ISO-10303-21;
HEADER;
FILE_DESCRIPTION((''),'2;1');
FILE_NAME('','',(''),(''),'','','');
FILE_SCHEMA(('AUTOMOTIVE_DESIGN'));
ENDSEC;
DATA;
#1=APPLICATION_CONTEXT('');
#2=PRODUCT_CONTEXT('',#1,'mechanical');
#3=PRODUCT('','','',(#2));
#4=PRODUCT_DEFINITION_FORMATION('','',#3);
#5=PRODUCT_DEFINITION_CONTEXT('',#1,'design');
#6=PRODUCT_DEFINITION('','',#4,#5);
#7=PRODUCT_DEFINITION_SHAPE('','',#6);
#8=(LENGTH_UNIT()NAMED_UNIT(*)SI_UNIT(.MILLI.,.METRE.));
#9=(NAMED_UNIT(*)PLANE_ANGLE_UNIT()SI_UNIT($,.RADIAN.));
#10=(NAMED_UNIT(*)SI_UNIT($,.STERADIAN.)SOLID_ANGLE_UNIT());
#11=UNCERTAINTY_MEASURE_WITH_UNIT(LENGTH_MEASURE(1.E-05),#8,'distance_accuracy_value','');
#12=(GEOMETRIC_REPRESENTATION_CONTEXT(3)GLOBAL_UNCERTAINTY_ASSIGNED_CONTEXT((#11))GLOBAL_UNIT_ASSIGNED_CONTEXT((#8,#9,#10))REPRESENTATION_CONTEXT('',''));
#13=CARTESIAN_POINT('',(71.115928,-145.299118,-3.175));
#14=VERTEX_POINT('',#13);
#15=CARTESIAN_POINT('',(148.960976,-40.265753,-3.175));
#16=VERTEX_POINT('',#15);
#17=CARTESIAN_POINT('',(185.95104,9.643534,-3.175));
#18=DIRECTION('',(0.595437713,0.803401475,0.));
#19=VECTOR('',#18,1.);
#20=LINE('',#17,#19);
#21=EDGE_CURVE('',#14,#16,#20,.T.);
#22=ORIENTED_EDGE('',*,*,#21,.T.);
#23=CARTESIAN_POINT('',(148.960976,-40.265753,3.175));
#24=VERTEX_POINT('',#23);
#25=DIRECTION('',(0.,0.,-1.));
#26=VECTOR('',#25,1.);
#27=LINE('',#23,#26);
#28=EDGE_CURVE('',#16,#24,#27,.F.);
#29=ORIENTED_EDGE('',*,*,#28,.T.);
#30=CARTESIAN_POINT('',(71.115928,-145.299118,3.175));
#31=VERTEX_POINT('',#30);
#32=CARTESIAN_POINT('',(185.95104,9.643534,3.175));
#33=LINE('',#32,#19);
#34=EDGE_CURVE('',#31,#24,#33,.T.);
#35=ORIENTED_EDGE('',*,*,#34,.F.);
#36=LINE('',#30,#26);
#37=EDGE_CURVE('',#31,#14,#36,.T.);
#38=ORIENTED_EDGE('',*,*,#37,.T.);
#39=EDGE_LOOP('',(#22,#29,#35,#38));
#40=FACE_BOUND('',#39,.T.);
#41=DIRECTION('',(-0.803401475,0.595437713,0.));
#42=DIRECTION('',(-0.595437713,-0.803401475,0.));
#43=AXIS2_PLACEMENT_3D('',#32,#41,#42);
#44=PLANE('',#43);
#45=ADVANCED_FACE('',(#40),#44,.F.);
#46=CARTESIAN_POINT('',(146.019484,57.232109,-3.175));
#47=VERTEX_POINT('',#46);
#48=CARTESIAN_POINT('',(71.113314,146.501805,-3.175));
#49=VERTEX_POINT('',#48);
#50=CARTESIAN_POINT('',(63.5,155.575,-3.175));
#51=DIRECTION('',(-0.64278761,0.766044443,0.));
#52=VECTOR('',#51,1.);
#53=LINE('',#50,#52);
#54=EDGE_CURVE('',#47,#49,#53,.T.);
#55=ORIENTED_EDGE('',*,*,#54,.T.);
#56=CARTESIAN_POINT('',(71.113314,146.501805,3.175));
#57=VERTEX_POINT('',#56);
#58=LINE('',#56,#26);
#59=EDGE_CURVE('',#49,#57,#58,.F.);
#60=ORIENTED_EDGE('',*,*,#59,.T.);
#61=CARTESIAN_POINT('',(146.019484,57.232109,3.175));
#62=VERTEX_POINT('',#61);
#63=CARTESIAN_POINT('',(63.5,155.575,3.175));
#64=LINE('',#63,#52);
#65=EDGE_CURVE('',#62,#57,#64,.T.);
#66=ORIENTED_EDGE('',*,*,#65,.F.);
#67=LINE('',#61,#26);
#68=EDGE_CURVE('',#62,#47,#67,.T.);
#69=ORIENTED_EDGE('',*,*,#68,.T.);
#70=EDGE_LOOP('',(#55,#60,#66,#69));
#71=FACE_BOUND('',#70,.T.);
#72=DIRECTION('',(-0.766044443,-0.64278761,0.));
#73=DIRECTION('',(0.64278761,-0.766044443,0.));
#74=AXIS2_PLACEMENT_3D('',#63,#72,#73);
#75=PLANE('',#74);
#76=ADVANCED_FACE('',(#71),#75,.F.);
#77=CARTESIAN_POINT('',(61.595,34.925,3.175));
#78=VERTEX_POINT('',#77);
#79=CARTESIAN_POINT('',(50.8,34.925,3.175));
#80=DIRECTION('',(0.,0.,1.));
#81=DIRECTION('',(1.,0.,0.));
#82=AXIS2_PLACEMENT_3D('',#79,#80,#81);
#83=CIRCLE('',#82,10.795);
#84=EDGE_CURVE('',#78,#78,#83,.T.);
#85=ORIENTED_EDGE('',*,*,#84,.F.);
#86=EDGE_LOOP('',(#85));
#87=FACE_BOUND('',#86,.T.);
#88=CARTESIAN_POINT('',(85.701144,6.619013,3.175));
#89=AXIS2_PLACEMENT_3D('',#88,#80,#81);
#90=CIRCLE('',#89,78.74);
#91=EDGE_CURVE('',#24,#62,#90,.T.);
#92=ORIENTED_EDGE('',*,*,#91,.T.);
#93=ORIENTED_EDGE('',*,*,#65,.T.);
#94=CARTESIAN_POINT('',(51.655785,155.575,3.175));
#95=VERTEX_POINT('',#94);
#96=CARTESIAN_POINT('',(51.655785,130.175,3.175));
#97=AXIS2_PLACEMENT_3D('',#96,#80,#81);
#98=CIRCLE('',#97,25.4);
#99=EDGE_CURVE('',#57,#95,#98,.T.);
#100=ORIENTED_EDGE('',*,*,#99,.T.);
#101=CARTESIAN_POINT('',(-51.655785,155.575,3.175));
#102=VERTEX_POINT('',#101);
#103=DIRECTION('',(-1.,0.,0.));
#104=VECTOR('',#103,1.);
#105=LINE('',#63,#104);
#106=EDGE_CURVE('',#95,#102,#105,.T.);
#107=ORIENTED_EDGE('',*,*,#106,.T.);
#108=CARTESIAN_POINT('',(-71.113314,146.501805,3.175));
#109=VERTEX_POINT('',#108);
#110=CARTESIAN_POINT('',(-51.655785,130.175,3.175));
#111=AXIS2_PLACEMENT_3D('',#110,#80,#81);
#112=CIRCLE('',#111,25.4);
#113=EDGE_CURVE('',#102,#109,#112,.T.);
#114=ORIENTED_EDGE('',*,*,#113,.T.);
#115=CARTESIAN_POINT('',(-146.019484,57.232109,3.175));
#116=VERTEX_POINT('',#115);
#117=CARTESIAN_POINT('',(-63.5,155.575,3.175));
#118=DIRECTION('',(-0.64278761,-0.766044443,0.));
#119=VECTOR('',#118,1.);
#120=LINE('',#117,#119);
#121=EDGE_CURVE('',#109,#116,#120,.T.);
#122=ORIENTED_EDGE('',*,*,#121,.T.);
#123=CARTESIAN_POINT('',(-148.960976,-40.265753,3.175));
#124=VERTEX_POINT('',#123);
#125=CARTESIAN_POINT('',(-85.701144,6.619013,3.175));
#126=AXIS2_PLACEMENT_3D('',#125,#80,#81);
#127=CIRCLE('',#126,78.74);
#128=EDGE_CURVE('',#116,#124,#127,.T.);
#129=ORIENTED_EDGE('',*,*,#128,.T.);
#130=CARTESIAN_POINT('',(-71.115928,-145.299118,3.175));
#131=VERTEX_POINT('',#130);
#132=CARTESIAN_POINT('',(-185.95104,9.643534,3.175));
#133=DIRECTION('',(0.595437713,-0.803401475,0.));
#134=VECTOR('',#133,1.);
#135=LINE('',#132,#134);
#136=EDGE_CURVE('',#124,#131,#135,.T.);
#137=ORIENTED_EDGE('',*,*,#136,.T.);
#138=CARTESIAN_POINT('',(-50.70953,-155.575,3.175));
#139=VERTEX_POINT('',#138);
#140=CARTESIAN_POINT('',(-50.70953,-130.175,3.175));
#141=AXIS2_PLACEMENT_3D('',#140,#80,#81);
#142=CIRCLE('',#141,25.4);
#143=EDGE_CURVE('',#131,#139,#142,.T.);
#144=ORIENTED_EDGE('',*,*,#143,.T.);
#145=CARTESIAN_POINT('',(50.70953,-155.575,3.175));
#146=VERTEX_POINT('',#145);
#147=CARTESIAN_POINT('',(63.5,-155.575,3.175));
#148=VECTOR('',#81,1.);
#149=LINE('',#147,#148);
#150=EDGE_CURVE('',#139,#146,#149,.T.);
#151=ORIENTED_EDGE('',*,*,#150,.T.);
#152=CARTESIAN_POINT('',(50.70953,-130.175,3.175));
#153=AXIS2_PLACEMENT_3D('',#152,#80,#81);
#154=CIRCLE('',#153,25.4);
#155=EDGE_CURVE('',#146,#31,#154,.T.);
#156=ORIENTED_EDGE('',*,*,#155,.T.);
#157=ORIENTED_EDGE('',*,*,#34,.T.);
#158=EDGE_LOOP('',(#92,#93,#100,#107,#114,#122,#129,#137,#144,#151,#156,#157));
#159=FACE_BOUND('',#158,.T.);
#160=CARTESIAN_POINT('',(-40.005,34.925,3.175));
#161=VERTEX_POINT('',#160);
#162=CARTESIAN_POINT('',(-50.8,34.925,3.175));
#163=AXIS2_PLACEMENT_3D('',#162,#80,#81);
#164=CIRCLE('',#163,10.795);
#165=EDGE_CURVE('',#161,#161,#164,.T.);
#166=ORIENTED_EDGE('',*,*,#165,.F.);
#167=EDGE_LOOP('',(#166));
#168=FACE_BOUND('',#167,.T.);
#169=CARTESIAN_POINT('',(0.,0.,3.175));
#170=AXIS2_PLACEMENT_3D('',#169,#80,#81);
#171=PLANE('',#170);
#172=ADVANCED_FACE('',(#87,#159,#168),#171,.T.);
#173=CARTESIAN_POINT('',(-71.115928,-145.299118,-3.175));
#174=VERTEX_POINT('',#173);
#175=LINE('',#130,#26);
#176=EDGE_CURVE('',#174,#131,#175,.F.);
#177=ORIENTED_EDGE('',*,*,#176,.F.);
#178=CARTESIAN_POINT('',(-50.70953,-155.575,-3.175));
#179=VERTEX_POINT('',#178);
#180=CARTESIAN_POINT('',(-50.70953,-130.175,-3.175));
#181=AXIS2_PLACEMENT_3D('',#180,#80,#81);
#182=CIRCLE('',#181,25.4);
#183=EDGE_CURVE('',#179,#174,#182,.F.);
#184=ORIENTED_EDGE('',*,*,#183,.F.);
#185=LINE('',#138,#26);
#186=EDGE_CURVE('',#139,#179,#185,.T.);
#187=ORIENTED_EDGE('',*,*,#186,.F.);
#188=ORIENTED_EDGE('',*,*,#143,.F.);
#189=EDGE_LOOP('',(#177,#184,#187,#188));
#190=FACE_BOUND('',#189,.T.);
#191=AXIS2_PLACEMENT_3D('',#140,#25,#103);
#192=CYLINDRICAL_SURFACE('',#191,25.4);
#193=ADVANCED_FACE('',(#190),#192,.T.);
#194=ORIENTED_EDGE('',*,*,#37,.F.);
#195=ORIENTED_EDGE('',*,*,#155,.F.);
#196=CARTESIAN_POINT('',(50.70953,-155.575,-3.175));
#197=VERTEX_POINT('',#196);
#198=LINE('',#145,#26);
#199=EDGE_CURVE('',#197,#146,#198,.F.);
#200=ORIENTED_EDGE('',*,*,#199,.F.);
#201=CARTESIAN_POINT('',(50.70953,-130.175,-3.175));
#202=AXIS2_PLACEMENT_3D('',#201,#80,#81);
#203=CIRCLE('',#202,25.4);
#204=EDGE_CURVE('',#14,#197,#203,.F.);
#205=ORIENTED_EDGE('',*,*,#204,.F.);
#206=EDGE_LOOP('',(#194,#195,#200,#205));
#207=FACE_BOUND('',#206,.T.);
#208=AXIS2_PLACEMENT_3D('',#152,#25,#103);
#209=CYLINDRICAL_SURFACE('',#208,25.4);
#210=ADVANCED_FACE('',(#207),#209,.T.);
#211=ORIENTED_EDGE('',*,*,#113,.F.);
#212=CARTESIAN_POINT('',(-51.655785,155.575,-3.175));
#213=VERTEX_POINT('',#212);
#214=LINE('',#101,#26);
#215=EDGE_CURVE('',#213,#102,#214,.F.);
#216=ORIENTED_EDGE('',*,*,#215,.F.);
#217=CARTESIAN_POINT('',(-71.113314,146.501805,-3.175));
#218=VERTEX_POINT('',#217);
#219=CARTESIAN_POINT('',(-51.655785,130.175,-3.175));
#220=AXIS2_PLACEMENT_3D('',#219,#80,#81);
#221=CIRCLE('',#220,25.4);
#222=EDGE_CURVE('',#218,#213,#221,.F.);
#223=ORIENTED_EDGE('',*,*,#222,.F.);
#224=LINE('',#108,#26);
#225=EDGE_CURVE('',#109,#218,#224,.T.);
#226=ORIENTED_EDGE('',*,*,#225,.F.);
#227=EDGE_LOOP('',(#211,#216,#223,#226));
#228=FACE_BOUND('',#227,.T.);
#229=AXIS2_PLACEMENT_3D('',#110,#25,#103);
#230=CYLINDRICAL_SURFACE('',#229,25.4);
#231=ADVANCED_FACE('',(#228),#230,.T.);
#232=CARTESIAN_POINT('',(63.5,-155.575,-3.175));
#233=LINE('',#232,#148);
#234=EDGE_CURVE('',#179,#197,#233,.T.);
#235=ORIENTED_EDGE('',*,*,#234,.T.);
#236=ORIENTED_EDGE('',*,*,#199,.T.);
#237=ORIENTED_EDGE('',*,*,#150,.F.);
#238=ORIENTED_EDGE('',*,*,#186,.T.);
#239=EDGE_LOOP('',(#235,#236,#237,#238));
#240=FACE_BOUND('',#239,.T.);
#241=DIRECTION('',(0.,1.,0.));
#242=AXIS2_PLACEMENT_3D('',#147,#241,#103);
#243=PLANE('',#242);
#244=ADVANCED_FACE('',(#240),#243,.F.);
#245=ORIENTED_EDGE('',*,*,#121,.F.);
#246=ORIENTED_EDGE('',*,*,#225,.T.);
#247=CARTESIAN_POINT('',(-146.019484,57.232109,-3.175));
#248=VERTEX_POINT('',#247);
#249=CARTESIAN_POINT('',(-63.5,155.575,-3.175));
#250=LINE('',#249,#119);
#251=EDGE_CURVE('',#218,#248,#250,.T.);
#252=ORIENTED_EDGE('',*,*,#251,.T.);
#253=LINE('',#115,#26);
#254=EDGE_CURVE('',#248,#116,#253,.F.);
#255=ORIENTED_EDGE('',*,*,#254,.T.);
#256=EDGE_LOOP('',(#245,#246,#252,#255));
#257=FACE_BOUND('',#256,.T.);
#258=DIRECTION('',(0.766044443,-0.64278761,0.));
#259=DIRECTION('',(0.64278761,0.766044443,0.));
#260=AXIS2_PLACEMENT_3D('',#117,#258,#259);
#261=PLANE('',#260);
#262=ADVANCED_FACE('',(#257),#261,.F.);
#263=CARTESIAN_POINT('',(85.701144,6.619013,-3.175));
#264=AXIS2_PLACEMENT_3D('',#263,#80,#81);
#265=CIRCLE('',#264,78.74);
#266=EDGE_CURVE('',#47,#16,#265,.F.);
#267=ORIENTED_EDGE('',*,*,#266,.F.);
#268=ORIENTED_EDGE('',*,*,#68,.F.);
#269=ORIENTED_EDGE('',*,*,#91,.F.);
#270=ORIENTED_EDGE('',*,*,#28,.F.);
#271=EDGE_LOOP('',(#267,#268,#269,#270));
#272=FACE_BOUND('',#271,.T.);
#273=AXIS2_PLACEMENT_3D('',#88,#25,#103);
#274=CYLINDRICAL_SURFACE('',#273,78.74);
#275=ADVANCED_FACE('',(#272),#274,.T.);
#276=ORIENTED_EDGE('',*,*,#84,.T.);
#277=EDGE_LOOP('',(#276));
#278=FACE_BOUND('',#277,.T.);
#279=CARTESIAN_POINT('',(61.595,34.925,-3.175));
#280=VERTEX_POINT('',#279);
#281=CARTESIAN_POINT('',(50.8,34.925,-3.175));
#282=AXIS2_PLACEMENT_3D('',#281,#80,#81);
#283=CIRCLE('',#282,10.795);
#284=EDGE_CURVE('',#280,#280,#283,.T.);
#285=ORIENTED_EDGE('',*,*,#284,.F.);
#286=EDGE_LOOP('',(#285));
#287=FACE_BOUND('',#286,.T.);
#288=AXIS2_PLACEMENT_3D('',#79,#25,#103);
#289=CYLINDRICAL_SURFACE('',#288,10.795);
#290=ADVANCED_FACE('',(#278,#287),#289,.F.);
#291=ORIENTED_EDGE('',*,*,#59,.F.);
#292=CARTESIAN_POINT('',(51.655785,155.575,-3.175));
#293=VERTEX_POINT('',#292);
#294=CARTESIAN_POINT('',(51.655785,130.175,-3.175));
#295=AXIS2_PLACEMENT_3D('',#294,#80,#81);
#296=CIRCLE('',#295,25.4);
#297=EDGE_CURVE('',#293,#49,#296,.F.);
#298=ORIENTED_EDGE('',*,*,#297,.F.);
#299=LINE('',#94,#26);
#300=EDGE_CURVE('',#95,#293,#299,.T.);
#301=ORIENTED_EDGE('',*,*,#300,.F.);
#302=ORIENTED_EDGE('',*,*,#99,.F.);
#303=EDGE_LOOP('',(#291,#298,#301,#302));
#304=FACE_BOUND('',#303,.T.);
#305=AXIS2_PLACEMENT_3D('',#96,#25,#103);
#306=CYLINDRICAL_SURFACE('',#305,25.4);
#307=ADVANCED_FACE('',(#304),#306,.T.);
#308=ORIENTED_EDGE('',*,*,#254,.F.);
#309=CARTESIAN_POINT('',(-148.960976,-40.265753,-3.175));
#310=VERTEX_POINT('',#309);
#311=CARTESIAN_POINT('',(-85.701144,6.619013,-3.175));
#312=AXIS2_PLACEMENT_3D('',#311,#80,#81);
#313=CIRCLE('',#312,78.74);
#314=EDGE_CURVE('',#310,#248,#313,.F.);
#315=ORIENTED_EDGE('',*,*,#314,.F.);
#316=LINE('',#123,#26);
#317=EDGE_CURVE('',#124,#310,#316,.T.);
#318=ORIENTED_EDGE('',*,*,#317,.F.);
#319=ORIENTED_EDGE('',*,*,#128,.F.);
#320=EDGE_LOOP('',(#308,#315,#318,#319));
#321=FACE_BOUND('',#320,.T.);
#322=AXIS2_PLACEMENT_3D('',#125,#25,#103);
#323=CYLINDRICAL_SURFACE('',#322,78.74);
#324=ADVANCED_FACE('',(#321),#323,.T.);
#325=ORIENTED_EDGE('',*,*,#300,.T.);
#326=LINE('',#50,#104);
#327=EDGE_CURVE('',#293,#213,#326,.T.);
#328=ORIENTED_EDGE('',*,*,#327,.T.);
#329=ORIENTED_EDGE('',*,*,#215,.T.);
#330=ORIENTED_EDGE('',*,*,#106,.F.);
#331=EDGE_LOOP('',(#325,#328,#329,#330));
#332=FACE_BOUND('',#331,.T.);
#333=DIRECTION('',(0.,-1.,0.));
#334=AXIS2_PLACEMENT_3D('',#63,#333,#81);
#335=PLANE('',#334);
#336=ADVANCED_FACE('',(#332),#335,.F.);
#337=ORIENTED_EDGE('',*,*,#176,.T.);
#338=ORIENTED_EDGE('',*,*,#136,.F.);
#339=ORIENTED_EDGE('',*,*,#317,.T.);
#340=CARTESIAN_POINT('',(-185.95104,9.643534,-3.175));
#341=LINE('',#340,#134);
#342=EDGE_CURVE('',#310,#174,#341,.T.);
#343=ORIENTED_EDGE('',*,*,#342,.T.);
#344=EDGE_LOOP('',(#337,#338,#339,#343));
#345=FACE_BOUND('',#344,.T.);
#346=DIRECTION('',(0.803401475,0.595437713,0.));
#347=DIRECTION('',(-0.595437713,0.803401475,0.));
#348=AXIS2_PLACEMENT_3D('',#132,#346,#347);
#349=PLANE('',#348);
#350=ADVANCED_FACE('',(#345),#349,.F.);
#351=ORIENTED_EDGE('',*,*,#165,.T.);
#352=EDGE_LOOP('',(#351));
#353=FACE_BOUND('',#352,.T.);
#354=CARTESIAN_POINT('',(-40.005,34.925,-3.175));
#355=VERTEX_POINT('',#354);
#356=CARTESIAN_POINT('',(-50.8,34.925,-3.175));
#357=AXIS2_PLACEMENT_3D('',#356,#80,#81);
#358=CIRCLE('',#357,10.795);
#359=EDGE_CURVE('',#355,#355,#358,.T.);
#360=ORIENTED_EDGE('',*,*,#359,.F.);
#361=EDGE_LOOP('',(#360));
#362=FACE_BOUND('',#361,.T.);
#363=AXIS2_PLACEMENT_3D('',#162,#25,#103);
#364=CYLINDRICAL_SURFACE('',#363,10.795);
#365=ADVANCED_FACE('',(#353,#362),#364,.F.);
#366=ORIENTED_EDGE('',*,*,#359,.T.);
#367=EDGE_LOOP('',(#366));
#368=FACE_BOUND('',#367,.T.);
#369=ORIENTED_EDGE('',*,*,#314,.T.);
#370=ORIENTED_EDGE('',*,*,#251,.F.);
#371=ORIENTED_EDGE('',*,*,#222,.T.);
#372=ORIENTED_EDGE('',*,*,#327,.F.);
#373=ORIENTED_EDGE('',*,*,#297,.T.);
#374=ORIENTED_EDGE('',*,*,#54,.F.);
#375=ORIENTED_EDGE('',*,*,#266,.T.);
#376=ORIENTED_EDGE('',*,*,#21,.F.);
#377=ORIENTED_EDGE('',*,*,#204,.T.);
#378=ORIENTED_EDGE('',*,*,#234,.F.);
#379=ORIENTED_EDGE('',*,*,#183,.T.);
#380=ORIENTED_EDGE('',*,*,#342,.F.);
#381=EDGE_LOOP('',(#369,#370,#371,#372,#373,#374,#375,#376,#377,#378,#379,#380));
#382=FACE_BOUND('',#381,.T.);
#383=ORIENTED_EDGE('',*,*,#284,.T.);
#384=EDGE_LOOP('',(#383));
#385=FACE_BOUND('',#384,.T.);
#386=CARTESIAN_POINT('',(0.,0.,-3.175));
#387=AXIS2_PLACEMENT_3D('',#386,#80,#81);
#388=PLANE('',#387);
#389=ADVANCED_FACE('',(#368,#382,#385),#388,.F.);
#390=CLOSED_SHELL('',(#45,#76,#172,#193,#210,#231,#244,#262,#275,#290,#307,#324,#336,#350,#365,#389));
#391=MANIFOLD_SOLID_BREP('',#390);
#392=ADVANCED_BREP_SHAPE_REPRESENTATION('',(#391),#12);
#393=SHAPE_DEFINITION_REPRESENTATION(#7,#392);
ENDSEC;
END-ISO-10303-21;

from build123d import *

# Parameters (mm, degrees)
SKETCH1_R           = 10.795
BOSS_EXTRUDE1_DEPTH = 3.175
FILLET1_R           = 25.4
FILLET2_R           = 78.74


with BuildPart() as part:
    # Sketch1 → Boss-Extrude1 (new, symmetric)
    with BuildSketch(Plane.XY):
        Polygon((-63.5, 155.575), (-185.951039645, 9.643533586), (-63.5, -155.575), (63.5, -155.575), (185.951039645, 9.643533586), (63.5, 155.575), align=None)
        with Locations((-50.8, 34.925)):
            Circle(SKETCH1_R, mode=Mode.SUBTRACT)
        with Locations((50.8, 34.925)):
            Circle(SKETCH1_R, mode=Mode.SUBTRACT)
    extrude(amount=BOSS_EXTRUDE1_DEPTH, both=True)

    # Fillet1
    fillet1_edges = [part.edges().sort_by_distance(p)[0] for p in [
        (63.5, 155.575, 0),
        (63.5, -155.575, 0),
        (-63.5, -155.575, 0),
        (-63.5, 155.575, 0),
    ]]
    fillet(fillet1_edges, radius=FILLET1_R)

    # Fillet2
    fillet2_edges = [part.edges().sort_by_distance(p)[0] for p in [
        (185.951039645, 9.643533586, 0),
        (-185.951039645, 9.643533586, 0),
    ]]
    fillet(fillet2_edges, radius=FILLET2_R)


solid = part.part
